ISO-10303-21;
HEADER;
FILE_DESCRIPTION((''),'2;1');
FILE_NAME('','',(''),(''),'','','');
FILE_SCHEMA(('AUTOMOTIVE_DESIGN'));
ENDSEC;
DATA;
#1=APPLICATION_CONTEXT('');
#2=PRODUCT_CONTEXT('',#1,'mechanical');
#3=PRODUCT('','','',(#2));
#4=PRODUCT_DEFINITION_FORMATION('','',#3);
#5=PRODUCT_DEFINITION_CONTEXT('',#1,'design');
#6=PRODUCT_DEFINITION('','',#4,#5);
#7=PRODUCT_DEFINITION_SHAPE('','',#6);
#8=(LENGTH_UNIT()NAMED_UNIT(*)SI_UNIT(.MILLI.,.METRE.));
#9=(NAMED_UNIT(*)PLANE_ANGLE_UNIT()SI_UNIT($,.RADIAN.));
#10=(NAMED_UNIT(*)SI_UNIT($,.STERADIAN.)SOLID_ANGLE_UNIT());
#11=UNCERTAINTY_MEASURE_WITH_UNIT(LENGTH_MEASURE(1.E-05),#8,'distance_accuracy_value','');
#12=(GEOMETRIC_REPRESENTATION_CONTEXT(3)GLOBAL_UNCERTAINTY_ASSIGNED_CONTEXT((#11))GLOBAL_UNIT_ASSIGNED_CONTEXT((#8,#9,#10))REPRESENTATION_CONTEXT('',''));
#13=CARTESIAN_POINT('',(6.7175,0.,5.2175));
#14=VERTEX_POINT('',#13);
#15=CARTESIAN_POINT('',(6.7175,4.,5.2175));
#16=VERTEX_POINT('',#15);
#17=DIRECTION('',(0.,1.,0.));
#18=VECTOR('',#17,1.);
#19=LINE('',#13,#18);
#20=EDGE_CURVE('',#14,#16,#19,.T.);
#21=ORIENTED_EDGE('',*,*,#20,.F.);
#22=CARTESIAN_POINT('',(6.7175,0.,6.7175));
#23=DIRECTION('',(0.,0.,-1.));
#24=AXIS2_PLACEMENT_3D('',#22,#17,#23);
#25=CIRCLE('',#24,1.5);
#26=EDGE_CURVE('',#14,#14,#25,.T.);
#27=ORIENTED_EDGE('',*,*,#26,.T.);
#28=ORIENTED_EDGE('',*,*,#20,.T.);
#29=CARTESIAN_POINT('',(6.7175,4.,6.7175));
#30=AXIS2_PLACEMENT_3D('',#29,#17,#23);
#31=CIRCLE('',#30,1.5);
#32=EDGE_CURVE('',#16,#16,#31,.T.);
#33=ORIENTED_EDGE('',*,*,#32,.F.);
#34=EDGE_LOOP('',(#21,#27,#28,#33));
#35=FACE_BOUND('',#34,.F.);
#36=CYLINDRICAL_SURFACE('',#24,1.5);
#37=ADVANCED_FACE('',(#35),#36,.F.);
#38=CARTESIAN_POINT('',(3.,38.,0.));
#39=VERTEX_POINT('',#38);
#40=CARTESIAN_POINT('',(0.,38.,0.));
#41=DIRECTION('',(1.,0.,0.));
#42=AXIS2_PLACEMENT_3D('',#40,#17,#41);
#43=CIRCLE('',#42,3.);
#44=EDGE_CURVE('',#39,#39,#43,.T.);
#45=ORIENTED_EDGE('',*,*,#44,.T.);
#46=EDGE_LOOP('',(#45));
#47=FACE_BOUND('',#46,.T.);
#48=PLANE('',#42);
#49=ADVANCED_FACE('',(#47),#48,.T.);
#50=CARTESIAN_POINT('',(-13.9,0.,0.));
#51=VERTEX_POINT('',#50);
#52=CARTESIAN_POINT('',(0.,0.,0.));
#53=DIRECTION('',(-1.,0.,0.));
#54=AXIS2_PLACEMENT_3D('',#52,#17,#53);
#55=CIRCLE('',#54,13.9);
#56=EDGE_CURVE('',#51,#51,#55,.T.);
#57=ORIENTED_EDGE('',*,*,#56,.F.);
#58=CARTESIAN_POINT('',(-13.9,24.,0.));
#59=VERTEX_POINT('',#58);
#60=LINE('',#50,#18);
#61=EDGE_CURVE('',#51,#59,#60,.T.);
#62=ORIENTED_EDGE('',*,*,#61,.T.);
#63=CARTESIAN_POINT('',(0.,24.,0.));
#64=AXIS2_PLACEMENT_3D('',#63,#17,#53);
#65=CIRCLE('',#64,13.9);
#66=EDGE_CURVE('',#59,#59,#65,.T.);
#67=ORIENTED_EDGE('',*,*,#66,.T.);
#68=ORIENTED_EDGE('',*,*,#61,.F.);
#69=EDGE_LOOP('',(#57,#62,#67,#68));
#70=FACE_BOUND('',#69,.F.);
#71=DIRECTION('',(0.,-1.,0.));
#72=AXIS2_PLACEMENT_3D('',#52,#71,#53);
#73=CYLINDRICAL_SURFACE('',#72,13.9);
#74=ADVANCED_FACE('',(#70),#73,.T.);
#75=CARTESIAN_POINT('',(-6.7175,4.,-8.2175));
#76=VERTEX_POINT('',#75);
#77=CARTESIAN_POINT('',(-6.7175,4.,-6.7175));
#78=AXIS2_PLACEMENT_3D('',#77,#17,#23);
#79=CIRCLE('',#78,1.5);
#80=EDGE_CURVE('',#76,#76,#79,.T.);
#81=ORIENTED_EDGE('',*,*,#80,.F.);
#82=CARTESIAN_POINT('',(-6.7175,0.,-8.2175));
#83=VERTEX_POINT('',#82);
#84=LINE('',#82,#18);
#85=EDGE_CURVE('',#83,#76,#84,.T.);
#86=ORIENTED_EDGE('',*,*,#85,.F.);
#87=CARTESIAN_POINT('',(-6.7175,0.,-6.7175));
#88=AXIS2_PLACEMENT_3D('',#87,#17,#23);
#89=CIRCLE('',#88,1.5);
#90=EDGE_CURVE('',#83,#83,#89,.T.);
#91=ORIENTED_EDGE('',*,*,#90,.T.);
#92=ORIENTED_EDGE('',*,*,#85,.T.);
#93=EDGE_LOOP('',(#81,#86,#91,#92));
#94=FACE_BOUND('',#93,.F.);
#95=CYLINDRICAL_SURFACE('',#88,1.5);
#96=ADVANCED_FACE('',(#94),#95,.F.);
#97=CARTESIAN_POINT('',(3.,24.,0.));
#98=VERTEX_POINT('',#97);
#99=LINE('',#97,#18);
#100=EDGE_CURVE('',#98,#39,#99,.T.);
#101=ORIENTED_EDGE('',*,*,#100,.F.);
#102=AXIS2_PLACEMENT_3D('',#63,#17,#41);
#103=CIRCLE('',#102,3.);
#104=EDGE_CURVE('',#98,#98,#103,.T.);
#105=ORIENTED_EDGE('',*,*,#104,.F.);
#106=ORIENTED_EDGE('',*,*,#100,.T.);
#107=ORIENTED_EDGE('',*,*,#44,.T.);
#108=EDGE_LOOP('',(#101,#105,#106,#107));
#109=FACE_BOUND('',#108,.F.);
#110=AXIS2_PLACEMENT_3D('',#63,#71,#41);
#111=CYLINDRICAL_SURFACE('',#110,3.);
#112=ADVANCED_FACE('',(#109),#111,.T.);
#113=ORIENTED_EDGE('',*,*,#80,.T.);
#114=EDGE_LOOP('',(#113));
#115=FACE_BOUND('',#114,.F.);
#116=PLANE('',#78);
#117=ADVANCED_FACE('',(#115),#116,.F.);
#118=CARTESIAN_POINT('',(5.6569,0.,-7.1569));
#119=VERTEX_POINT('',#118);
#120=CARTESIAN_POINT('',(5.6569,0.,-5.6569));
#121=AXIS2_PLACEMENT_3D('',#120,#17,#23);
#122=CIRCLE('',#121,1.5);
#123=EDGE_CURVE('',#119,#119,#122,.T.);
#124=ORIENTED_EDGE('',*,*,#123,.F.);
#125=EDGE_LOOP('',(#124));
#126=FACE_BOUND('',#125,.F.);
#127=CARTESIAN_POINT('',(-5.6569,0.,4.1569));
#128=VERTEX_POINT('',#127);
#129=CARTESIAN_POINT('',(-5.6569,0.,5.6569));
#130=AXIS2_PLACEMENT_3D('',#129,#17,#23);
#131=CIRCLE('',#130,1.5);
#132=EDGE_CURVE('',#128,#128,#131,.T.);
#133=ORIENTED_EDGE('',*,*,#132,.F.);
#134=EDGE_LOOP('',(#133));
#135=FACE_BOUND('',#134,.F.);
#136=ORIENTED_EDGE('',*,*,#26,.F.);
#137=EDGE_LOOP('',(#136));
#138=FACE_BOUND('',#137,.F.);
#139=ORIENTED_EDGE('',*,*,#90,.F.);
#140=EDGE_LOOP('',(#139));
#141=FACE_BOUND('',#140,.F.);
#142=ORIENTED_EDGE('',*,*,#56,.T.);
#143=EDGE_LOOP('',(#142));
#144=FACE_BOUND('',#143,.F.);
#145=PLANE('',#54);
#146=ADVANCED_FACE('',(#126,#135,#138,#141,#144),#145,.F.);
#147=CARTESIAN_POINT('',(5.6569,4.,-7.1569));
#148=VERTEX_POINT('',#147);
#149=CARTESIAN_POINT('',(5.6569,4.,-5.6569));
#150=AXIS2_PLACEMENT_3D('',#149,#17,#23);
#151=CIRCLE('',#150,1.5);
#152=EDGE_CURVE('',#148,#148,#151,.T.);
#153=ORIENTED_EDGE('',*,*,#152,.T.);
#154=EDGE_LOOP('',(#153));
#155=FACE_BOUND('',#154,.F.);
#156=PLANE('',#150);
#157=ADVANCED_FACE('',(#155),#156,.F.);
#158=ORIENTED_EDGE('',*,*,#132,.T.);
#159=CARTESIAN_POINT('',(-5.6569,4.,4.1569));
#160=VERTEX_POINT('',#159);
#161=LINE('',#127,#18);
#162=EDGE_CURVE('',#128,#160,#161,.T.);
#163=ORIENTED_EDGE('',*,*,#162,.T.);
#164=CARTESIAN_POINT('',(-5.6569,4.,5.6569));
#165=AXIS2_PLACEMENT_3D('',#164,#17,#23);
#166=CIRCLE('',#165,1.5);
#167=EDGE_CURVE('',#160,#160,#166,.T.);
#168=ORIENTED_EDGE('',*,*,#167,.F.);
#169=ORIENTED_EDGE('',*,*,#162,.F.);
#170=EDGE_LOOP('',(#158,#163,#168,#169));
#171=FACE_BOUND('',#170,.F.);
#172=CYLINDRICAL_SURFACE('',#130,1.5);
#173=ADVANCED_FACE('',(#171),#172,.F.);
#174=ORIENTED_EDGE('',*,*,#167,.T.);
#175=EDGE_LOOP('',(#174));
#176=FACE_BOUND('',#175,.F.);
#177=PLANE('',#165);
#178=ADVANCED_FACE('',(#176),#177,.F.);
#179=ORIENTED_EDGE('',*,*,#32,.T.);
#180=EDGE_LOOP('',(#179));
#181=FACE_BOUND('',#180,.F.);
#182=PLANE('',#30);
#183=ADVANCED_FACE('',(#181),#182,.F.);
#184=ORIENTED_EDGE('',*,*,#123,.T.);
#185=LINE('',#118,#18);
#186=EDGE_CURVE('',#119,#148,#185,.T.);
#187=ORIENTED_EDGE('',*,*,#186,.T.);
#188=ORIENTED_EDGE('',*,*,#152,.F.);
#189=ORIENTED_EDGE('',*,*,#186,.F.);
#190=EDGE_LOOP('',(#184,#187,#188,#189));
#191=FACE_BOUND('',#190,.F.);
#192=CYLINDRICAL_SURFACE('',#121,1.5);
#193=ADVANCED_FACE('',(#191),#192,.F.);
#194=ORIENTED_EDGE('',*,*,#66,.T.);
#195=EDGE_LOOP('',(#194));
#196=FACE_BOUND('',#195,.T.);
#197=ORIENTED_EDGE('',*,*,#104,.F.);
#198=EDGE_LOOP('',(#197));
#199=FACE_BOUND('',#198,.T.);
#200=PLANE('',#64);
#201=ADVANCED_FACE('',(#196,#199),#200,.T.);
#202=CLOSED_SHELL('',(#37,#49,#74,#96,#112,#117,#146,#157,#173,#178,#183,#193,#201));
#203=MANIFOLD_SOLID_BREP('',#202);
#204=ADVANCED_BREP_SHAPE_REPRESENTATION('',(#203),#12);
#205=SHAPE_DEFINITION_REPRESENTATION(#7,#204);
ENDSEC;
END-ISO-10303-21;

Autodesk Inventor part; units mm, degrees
ref_plane "YZ Plane" through (0, 0, 0) normal (1, 0, 0) x (0, 1, 0)
ref_plane "XZ Plane" through (0, 0, 0) normal (0, 1, 0) x (-1, 0, 0)
ref_plane "XY Plane" through (0, 0, 0) normal (0, 0, 1) x (1, 0, 0)
sketch "Sketch1" plane through (0, 0, 0) normal (0, 1, 0) x (-1, 0, 0)
  line L0 (93.6212, 93.2037) -> (93.6212, -131.4276) construction
  line L1 (93.6212, -131.4276) -> (12.1295, -131.4276) construction
  line L2 (12.1295, -131.4276) -> (12.1295, 93.2037) construction
  line L3 (12.1295, 93.2037) -> (93.6212, 93.2037) construction
  circle A0 centre (0, 0) radius 13.9
  circle A1 centre (0, 0) radius 8 construction
  circle A2 centre (0, 0) radius 9.5 construction
  line L4 (0, 0) -> (-9.8288, -9.8288) construction
  line L5 (0, 0) -> (13.9, 0) construction
  line L6 (0, 0) -> (9.8288, -9.8288) construction
  line L7 (0, 0) -> (9.8288, 9.8288) construction
  line L8 (0, 0) -> (-9.8288, 9.8288) construction
  point P0 (-6.7175, 6.7175)
  point P1 (-5.6569, -5.6569)
  point P2 (6.7175, -6.7175)
  point P3 (5.6569, 5.6569)
  dimension "d7" = 27.8
  dimension "d8" = 16
  dimension "d9" = 19
  dimension "d10" = 135
extrude "Extrusion1" add sketch "Sketch1" along normal blind 24
hole "Hole1" at (6.7175, 0, 6.7175) at (5.6569, 0, -5.6569) at (-6.7175, 0, -6.7175) at (-5.6569, 0, 5.6569) direction (0, 1, 0) diameter 3 depth 4
sketch "Sketch2" plane through (0, 24, 0) normal (0, 1, 0) x (1, 0, 0)
  circle A0 centre (0, 0) radius 3
  dimension "d25" = 6
extrude "Extrusion2" add sketch "Sketch2" along normal blind 14
properties part number "MOTOR"
